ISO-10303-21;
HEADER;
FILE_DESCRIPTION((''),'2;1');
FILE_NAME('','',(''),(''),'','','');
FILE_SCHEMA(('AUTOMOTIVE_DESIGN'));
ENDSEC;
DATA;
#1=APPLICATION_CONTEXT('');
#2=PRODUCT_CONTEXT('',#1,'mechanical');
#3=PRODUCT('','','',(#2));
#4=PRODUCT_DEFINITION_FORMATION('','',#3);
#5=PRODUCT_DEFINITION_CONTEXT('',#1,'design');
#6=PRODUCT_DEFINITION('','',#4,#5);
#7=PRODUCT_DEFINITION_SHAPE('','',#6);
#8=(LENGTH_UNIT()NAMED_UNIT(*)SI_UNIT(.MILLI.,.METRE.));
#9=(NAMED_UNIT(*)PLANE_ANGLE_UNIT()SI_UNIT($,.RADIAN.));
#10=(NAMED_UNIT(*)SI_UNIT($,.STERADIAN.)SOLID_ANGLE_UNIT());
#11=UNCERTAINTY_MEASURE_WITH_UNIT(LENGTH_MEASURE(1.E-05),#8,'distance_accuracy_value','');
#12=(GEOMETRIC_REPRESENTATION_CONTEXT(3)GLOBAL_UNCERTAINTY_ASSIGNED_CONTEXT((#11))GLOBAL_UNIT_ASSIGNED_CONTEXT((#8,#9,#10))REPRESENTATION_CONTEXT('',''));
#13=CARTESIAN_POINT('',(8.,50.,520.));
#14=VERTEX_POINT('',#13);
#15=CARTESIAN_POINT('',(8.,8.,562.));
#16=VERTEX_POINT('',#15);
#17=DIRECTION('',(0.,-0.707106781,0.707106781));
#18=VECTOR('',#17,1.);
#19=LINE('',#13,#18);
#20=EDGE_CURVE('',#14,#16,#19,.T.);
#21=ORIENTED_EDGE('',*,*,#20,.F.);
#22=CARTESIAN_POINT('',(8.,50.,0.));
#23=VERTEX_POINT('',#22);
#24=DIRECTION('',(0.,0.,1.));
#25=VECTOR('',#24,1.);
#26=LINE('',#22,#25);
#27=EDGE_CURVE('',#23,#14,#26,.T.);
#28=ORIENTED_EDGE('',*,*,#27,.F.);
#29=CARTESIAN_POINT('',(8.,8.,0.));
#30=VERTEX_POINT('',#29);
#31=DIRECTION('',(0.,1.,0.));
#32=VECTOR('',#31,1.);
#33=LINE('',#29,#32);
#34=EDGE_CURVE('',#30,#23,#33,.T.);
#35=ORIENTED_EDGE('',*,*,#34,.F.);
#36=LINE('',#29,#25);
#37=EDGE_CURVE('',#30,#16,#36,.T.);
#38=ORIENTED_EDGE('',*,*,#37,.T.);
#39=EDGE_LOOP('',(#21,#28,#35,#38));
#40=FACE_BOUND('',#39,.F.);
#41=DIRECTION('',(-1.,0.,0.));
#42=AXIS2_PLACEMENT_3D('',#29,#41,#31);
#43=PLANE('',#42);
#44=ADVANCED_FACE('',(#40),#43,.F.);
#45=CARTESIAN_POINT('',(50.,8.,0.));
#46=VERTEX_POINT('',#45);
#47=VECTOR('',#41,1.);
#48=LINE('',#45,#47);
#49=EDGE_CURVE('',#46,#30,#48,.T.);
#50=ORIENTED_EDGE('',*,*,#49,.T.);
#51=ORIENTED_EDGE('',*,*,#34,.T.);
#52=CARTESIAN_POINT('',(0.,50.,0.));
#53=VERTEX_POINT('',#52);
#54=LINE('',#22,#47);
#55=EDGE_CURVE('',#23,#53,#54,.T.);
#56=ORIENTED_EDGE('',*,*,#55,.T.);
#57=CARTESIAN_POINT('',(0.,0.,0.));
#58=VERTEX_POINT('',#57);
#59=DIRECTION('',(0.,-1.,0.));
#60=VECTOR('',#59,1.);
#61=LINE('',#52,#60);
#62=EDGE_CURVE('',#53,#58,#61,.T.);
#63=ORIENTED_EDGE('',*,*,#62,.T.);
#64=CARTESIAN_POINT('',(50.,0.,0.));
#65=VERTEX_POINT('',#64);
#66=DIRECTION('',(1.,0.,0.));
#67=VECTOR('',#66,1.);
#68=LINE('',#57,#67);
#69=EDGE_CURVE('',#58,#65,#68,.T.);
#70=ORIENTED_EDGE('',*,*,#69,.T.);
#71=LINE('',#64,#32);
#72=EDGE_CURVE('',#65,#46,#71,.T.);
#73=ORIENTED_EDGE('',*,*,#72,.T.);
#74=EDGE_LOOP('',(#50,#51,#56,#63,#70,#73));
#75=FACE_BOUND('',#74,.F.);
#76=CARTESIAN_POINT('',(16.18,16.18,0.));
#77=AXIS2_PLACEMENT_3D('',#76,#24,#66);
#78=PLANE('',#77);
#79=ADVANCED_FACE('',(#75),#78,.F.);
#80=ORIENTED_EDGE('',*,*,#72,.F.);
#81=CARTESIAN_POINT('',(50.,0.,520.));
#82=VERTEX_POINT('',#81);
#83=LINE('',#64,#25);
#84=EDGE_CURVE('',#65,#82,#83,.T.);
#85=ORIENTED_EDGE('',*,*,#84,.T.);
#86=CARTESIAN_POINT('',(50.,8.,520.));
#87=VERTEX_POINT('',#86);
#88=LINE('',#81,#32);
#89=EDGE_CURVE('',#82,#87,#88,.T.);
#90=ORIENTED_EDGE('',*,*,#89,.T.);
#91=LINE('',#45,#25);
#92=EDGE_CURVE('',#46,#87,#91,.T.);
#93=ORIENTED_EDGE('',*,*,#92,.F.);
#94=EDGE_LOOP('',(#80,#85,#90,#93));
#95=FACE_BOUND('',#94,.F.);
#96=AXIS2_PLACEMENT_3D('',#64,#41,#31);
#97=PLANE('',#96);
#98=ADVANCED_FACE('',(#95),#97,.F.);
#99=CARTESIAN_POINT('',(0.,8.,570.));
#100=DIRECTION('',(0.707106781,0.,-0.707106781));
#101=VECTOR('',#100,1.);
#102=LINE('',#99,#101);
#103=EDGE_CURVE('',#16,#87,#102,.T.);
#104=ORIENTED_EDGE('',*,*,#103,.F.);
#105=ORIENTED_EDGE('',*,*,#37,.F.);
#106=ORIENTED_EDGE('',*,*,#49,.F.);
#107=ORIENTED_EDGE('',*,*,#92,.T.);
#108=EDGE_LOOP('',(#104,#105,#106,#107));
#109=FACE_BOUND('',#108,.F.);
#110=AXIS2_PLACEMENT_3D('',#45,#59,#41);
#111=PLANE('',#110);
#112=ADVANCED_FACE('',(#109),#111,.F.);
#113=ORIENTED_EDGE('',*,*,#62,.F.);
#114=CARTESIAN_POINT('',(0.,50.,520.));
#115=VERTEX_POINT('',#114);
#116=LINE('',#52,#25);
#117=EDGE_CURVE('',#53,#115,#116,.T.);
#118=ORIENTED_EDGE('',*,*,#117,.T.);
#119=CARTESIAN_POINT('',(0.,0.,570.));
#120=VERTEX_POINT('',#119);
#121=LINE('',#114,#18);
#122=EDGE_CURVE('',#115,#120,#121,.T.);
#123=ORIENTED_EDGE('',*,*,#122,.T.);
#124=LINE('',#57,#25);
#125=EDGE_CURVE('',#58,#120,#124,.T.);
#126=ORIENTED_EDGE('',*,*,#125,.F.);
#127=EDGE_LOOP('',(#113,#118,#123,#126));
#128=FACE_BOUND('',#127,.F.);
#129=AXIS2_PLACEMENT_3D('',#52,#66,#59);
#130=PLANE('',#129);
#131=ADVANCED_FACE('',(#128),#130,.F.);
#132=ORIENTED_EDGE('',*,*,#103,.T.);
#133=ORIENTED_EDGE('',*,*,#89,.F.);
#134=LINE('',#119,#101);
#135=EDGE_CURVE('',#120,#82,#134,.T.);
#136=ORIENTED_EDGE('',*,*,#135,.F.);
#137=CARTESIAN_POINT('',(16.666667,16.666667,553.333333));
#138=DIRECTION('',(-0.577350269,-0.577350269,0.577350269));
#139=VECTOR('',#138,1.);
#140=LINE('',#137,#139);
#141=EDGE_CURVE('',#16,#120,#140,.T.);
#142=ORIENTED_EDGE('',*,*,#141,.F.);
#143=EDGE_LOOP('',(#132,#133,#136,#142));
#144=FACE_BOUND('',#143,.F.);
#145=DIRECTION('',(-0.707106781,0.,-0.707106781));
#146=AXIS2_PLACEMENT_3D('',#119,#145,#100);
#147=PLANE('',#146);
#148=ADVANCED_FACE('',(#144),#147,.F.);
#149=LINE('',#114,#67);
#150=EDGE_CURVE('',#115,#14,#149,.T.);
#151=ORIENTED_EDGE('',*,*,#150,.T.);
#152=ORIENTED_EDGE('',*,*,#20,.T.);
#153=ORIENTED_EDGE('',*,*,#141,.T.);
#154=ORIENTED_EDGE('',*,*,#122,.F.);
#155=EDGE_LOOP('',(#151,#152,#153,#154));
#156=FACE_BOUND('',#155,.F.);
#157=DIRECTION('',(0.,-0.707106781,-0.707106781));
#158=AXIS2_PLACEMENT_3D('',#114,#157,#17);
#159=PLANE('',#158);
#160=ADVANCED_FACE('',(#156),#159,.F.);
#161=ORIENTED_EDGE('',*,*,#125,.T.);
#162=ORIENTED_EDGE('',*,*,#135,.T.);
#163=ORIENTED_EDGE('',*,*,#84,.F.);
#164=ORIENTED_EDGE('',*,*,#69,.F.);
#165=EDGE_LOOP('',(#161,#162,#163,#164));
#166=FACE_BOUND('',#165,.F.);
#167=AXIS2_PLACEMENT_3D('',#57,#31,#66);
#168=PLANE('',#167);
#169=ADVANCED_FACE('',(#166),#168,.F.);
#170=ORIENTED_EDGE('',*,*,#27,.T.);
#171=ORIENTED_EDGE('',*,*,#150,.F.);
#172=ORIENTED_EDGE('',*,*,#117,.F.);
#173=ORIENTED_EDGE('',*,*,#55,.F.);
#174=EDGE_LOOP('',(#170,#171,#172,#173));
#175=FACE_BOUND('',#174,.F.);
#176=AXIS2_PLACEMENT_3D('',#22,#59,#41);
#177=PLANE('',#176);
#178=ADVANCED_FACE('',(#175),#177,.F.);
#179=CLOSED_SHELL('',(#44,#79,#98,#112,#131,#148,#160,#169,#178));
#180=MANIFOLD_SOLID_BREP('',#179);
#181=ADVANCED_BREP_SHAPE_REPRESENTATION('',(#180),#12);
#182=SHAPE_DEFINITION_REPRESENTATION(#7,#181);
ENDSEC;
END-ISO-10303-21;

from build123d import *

# Parameters (mm, degrees)
F1_DEPTH = 570
F3_DEPTH = 8
F5_DEPTH = 8


with BuildPart() as f1:
    # F0 (on Top) → F1 (new body)
    with BuildSketch(Plane.XY):
        Polygon((0, 50), (0, 0), (50, 0), (50, 8), (8, 8), (8, 50), align=None)
    extrude(amount=F1_DEPTH)

    # F2 (on face) → F3 (cut, through all)
    with BuildSketch(Plane.XZ):
        Polygon((50, 570), (0, 570), (50, 520), align=None)
    extrude(amount=-F3_DEPTH, mode=Mode.SUBTRACT)

    # F4 (on face) → F5 (cut, through all)
    with BuildSketch(Plane(origin=(0, 0, 0), x_dir=(0, -1, 0), z_dir=(-1, 0, 0))):
        Polygon((-50, 520), (0, 570), (-8, 570), (-50, 570), align=None)
    extrude(amount=-F5_DEPTH, mode=Mode.SUBTRACT)


solid = f1.part
